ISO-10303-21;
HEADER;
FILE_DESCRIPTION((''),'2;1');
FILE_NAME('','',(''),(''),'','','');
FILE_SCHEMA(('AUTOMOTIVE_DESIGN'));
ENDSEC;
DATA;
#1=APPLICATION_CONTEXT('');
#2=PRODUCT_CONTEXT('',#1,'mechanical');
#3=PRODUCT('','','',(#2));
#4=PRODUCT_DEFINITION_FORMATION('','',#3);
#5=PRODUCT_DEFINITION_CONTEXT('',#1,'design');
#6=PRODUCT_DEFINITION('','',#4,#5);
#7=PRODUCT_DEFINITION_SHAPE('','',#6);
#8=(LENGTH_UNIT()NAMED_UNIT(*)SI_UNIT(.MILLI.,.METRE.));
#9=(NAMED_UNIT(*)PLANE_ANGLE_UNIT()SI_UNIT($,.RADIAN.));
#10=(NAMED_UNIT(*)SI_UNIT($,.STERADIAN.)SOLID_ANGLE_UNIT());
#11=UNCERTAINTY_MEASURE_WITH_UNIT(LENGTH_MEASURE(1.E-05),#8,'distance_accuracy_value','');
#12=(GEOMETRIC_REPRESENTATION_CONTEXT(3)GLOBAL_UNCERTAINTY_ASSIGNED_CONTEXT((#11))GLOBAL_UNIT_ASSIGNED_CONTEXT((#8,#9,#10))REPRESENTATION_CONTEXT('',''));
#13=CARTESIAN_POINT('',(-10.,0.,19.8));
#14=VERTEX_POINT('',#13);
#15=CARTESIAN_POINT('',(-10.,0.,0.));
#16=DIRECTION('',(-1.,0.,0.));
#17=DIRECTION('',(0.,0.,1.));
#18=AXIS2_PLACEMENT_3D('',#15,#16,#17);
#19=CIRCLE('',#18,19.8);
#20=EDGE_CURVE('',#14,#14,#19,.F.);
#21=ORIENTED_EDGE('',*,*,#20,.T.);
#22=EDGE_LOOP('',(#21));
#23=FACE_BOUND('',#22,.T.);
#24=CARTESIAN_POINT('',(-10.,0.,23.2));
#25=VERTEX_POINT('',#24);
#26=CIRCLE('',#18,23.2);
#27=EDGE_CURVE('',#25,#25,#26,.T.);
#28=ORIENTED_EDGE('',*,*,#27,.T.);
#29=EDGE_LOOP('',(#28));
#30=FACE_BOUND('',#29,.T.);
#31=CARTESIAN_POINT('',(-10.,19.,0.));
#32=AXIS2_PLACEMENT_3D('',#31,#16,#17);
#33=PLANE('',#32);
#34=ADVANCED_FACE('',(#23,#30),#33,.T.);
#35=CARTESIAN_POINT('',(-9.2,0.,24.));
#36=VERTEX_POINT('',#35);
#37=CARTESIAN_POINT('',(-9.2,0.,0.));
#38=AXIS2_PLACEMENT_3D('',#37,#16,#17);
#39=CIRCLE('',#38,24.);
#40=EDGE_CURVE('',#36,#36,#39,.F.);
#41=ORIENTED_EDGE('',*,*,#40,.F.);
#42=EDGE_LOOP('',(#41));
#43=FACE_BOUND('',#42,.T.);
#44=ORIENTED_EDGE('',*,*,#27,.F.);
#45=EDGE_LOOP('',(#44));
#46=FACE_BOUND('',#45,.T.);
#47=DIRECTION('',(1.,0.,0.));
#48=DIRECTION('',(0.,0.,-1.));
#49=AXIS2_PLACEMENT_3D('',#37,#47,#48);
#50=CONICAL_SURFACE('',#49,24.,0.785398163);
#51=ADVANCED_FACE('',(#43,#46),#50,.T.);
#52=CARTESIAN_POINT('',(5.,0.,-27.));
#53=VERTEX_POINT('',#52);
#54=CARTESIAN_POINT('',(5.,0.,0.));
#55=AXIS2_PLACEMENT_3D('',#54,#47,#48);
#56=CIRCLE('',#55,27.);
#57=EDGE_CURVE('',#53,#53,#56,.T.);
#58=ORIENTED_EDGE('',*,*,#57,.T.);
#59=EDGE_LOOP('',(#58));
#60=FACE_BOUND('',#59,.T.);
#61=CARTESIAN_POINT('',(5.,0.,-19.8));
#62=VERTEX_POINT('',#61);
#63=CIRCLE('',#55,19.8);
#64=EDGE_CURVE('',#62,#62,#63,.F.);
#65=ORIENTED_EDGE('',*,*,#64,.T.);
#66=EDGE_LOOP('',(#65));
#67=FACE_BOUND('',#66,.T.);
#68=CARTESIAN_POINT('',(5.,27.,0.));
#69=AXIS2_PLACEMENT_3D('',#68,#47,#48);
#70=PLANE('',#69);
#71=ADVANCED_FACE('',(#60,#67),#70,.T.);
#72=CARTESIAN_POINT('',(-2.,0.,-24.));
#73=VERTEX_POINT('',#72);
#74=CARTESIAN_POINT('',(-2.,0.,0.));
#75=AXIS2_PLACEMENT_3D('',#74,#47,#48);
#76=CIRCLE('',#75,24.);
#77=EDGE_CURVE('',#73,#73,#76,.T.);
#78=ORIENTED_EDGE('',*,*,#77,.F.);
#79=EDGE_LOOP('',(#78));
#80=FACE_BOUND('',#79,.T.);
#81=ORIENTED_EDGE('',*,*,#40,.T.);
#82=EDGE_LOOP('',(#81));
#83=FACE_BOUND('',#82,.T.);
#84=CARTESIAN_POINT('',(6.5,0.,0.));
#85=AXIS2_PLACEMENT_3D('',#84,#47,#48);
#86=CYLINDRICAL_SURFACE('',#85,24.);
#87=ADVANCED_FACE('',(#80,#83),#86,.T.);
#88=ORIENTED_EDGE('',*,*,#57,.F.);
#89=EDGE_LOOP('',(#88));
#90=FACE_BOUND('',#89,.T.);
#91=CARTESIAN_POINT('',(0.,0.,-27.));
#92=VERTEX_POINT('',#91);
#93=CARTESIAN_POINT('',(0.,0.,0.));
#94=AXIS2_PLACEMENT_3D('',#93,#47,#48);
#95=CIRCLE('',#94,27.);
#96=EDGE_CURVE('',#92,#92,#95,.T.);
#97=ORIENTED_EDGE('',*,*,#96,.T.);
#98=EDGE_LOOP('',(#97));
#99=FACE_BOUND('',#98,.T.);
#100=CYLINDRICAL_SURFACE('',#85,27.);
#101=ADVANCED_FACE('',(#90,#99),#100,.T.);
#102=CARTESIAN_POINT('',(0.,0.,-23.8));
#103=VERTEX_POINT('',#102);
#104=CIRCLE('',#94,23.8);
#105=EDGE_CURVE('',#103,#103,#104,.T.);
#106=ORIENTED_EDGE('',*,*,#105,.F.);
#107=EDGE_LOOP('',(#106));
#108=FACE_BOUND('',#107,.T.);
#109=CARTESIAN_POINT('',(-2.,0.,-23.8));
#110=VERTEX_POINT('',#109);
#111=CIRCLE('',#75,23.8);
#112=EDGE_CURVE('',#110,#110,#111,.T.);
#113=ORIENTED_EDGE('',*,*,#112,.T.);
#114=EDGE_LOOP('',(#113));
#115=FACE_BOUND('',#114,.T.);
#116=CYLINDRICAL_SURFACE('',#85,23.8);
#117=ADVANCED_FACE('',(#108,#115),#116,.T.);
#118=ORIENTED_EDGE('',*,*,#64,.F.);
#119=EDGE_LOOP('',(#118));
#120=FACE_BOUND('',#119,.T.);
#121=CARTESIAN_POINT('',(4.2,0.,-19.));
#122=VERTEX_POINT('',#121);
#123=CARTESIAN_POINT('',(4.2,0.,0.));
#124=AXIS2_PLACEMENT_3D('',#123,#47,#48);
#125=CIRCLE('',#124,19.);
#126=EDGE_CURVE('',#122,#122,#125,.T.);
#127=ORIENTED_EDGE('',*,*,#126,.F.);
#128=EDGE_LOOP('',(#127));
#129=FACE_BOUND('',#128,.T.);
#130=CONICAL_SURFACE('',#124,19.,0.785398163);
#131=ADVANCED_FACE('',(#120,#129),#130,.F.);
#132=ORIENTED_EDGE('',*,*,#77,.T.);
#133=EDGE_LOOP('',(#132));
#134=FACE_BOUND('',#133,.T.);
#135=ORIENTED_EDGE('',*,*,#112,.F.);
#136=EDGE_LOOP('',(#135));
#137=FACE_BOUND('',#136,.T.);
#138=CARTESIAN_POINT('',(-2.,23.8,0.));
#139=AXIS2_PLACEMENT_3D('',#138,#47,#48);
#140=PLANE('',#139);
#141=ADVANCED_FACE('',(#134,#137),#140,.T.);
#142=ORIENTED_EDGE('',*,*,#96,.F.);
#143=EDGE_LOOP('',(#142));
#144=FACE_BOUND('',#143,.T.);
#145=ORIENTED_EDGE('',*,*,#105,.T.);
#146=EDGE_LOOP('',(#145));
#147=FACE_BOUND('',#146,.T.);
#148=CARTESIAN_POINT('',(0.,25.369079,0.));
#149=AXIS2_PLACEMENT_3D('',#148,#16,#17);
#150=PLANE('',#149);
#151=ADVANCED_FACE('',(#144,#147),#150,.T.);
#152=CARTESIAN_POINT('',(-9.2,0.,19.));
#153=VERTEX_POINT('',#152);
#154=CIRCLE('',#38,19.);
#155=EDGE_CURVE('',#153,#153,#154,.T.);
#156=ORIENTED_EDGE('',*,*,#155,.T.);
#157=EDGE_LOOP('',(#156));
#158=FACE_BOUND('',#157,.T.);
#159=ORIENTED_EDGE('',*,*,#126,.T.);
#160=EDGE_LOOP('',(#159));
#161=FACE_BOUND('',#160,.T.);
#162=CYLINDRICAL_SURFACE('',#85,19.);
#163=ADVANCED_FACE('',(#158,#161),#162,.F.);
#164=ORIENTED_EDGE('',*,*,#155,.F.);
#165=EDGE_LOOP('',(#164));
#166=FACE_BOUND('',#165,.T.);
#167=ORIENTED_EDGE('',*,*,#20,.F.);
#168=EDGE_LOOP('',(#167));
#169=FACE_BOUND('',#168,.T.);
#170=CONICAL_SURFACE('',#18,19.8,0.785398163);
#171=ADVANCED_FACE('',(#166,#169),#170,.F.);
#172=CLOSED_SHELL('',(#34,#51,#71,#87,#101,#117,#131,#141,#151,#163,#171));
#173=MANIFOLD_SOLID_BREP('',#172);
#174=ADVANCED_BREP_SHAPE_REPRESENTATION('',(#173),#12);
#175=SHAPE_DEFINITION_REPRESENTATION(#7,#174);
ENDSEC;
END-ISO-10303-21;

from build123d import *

# Parameters (mm, degrees)
FASE1_SIZE = 0.8


with BuildPart() as part:
    # Skizze1 → Rotation1 (revolve)
    with BuildSketch(Plane.XY, mode=Mode.PRIVATE) as rotation1_sk:
        Polygon((-2, 24), (-10, 24), (-10, 19), (5, 19), (5, 27), (0, 27), (0, 25.369078951), (0, 23.8), (-2, 23.8), align=None)
    revolve(rotation1_sk.sketch.rotate(Axis((6.5, 0, 0), (-1, 0, 0)), 90), axis=Axis((6.5, 0, 0), (-1, 0, 0)))

    # Fase1
    fase1_edges = [part.edges().sort_by_distance(p)[0] for p in [
        (-10, 0, 24),
        (-10, 0, 19),
        (5, 0, 19),
    ]]
    chamfer(fase1_edges, length=FASE1_SIZE)


solid = part.part
